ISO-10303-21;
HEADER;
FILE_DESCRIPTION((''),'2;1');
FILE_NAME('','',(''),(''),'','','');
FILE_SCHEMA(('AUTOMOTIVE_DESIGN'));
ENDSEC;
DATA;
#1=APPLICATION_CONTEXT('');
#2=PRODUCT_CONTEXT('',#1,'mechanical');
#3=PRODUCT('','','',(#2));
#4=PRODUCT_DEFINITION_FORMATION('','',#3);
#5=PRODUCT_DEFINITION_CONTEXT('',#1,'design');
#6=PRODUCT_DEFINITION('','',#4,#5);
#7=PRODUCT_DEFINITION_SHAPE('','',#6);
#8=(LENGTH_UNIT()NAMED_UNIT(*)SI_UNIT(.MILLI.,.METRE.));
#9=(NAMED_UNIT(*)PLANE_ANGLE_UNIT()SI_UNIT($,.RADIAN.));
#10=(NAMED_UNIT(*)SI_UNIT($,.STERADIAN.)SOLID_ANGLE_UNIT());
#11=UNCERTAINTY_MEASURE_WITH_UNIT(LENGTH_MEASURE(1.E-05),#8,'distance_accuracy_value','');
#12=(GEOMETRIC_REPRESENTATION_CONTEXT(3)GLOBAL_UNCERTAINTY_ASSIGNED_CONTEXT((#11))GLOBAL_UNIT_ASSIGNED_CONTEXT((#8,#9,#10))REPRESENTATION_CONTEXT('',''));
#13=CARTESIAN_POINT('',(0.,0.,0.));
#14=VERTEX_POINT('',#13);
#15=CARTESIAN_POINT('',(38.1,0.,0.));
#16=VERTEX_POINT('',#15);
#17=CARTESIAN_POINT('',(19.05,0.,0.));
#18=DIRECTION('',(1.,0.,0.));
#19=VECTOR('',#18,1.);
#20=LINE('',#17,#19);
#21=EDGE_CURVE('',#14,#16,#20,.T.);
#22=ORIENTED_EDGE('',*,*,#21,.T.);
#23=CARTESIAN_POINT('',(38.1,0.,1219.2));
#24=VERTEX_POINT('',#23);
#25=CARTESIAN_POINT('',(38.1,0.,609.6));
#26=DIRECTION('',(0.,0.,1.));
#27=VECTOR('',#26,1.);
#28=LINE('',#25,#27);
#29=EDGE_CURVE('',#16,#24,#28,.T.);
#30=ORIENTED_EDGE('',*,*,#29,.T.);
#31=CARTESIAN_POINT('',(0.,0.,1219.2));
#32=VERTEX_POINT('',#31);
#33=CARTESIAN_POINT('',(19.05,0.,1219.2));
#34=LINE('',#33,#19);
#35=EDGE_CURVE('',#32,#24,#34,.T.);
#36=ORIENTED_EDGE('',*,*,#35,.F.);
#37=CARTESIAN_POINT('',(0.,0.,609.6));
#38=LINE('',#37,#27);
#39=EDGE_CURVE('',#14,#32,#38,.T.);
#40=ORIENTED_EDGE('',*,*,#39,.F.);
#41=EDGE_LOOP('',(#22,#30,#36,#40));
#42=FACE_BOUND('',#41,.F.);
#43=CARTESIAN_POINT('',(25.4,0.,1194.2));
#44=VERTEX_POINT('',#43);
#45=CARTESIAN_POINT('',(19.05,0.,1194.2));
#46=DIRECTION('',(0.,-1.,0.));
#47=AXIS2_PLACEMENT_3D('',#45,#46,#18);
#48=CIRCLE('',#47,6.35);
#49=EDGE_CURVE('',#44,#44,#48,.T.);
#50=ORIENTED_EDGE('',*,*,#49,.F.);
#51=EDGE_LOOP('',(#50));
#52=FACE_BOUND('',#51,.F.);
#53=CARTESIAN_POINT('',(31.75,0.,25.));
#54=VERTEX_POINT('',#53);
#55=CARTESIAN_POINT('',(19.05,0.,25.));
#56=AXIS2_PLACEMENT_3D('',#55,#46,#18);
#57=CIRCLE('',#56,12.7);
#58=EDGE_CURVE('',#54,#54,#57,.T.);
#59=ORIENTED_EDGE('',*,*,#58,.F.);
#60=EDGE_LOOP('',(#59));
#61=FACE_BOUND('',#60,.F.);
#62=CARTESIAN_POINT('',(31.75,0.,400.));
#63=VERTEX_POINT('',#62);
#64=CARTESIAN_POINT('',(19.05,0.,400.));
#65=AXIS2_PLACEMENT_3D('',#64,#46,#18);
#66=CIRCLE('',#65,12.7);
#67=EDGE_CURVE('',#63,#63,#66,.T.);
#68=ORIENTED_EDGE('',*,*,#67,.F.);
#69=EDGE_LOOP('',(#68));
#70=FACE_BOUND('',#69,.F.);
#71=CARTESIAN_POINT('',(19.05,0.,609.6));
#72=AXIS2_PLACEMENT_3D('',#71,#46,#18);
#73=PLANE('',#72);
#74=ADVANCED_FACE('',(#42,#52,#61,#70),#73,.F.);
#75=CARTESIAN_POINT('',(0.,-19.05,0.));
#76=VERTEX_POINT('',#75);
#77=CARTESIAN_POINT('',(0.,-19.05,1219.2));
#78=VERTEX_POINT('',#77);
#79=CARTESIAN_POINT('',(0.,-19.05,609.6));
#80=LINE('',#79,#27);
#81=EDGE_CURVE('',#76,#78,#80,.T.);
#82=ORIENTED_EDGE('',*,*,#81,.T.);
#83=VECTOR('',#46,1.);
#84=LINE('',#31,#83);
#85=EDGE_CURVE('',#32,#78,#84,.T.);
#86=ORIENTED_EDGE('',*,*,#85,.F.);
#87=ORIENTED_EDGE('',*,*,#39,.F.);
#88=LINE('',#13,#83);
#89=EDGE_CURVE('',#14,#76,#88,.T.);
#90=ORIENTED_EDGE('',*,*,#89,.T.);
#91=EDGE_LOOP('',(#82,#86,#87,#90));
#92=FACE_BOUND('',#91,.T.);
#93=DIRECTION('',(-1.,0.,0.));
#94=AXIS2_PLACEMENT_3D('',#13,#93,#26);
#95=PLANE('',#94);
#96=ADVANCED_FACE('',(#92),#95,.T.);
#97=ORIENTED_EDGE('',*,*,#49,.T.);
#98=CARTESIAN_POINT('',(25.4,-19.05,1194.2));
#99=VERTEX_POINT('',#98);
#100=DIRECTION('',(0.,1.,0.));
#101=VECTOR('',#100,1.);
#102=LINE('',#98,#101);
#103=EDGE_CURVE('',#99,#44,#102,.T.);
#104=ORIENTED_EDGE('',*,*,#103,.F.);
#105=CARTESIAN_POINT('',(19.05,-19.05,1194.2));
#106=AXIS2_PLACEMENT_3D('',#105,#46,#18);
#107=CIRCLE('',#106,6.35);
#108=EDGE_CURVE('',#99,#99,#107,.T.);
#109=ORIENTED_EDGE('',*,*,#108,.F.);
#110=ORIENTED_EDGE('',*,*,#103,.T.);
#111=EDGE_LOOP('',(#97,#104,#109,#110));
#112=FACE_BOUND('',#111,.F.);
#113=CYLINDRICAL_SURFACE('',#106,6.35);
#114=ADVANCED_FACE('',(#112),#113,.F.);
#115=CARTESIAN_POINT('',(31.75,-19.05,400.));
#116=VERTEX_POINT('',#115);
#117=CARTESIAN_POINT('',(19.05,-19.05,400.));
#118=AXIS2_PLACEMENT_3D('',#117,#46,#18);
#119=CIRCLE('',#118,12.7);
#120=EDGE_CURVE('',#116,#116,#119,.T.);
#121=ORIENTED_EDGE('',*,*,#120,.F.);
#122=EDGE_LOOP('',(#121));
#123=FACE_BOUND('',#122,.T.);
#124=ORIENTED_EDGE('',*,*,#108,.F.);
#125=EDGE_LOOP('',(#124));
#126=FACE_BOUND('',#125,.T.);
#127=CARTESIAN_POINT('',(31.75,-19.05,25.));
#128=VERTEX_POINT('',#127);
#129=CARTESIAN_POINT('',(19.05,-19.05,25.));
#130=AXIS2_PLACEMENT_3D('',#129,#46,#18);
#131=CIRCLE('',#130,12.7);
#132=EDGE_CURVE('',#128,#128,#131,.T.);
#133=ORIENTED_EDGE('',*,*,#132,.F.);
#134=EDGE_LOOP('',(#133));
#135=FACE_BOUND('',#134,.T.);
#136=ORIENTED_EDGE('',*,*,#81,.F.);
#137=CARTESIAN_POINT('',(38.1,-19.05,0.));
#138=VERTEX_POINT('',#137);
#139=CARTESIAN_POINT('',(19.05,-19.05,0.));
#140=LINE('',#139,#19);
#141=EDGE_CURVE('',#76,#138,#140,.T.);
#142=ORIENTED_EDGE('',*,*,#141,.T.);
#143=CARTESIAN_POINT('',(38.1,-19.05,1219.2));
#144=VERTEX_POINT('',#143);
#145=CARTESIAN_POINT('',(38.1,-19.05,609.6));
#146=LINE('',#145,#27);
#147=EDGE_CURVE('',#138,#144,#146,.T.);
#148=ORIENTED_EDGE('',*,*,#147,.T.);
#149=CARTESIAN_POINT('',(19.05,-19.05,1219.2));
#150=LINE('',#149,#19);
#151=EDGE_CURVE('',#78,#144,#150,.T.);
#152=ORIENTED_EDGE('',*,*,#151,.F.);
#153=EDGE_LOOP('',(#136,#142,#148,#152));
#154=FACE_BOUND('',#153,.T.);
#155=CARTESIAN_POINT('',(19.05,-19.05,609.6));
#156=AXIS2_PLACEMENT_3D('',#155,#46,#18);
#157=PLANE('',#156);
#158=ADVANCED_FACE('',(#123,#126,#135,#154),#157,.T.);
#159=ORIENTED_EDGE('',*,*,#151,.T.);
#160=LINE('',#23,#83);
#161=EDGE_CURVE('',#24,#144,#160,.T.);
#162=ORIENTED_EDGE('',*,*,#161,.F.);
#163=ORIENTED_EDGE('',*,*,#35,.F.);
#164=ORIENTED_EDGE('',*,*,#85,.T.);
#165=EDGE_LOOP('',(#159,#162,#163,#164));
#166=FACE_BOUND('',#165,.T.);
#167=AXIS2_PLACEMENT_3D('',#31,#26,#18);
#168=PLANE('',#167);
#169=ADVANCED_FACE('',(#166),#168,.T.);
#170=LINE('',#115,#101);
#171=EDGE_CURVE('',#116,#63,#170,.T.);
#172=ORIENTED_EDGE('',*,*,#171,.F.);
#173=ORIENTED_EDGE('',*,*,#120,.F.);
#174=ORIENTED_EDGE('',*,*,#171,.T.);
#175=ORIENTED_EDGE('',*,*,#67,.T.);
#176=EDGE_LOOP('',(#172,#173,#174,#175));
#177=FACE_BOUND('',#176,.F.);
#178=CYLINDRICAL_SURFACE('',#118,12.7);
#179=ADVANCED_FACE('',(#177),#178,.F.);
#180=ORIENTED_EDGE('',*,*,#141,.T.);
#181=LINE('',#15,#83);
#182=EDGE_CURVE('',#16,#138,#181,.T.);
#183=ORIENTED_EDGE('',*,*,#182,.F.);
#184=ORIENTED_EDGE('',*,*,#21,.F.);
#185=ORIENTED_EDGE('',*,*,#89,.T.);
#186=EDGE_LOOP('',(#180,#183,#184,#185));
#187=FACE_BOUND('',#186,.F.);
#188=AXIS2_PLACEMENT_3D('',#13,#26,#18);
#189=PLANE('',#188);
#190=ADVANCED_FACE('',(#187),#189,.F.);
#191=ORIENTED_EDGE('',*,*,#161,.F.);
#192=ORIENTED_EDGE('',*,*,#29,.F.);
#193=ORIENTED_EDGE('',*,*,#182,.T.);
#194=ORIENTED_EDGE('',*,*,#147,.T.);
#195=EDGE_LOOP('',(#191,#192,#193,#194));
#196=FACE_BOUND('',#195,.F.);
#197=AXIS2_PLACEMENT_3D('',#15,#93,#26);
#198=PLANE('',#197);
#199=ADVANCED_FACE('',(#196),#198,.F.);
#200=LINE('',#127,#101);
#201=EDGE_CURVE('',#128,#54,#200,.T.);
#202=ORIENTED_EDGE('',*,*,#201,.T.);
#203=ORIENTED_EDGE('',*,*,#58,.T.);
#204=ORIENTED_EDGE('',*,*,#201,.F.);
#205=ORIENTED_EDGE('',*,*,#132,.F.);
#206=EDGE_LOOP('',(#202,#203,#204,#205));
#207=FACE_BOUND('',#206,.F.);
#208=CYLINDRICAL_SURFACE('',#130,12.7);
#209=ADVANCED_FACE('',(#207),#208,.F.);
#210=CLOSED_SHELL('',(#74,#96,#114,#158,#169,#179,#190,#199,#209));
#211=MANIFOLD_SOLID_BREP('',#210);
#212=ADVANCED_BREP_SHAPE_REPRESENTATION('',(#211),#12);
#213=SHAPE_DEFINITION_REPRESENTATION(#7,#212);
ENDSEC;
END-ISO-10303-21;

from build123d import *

# Parameters (mm, degrees)
F0_W     = 38.1
F0_H     = 1219.2
F1_DEPTH = 19.05
F2_R     = 12.7
F3_DEPTH = 25
F4_R     = 6.35
F4_R_2   = 12.7
F5_DEPTH = 25


with BuildPart() as f1:
    # F0 (on Front) → F1 (new body)
    with BuildSketch(Plane.XZ):
        with Locations((19.05, 609.6)):
            Rectangle(F0_W, F0_H)
    extrude(amount=F1_DEPTH)

    # F2 (on face) → F3 (cut)
    with BuildSketch(Plane.XZ.offset(19.05)):
        with Locations((19.05, 400)):
            Circle(F2_R)
    extrude(amount=-F3_DEPTH, mode=Mode.SUBTRACT)

    # F4 (on face) → F5 (cut)
    with BuildSketch(Plane.XZ.offset(19.05)):
        with Locations((19.05, 1194.2)):
            Circle(F4_R)
        with Locations((19.05, 25)):
            Circle(F4_R_2)
    extrude(amount=-F5_DEPTH, mode=Mode.SUBTRACT)


solid = f1.part
